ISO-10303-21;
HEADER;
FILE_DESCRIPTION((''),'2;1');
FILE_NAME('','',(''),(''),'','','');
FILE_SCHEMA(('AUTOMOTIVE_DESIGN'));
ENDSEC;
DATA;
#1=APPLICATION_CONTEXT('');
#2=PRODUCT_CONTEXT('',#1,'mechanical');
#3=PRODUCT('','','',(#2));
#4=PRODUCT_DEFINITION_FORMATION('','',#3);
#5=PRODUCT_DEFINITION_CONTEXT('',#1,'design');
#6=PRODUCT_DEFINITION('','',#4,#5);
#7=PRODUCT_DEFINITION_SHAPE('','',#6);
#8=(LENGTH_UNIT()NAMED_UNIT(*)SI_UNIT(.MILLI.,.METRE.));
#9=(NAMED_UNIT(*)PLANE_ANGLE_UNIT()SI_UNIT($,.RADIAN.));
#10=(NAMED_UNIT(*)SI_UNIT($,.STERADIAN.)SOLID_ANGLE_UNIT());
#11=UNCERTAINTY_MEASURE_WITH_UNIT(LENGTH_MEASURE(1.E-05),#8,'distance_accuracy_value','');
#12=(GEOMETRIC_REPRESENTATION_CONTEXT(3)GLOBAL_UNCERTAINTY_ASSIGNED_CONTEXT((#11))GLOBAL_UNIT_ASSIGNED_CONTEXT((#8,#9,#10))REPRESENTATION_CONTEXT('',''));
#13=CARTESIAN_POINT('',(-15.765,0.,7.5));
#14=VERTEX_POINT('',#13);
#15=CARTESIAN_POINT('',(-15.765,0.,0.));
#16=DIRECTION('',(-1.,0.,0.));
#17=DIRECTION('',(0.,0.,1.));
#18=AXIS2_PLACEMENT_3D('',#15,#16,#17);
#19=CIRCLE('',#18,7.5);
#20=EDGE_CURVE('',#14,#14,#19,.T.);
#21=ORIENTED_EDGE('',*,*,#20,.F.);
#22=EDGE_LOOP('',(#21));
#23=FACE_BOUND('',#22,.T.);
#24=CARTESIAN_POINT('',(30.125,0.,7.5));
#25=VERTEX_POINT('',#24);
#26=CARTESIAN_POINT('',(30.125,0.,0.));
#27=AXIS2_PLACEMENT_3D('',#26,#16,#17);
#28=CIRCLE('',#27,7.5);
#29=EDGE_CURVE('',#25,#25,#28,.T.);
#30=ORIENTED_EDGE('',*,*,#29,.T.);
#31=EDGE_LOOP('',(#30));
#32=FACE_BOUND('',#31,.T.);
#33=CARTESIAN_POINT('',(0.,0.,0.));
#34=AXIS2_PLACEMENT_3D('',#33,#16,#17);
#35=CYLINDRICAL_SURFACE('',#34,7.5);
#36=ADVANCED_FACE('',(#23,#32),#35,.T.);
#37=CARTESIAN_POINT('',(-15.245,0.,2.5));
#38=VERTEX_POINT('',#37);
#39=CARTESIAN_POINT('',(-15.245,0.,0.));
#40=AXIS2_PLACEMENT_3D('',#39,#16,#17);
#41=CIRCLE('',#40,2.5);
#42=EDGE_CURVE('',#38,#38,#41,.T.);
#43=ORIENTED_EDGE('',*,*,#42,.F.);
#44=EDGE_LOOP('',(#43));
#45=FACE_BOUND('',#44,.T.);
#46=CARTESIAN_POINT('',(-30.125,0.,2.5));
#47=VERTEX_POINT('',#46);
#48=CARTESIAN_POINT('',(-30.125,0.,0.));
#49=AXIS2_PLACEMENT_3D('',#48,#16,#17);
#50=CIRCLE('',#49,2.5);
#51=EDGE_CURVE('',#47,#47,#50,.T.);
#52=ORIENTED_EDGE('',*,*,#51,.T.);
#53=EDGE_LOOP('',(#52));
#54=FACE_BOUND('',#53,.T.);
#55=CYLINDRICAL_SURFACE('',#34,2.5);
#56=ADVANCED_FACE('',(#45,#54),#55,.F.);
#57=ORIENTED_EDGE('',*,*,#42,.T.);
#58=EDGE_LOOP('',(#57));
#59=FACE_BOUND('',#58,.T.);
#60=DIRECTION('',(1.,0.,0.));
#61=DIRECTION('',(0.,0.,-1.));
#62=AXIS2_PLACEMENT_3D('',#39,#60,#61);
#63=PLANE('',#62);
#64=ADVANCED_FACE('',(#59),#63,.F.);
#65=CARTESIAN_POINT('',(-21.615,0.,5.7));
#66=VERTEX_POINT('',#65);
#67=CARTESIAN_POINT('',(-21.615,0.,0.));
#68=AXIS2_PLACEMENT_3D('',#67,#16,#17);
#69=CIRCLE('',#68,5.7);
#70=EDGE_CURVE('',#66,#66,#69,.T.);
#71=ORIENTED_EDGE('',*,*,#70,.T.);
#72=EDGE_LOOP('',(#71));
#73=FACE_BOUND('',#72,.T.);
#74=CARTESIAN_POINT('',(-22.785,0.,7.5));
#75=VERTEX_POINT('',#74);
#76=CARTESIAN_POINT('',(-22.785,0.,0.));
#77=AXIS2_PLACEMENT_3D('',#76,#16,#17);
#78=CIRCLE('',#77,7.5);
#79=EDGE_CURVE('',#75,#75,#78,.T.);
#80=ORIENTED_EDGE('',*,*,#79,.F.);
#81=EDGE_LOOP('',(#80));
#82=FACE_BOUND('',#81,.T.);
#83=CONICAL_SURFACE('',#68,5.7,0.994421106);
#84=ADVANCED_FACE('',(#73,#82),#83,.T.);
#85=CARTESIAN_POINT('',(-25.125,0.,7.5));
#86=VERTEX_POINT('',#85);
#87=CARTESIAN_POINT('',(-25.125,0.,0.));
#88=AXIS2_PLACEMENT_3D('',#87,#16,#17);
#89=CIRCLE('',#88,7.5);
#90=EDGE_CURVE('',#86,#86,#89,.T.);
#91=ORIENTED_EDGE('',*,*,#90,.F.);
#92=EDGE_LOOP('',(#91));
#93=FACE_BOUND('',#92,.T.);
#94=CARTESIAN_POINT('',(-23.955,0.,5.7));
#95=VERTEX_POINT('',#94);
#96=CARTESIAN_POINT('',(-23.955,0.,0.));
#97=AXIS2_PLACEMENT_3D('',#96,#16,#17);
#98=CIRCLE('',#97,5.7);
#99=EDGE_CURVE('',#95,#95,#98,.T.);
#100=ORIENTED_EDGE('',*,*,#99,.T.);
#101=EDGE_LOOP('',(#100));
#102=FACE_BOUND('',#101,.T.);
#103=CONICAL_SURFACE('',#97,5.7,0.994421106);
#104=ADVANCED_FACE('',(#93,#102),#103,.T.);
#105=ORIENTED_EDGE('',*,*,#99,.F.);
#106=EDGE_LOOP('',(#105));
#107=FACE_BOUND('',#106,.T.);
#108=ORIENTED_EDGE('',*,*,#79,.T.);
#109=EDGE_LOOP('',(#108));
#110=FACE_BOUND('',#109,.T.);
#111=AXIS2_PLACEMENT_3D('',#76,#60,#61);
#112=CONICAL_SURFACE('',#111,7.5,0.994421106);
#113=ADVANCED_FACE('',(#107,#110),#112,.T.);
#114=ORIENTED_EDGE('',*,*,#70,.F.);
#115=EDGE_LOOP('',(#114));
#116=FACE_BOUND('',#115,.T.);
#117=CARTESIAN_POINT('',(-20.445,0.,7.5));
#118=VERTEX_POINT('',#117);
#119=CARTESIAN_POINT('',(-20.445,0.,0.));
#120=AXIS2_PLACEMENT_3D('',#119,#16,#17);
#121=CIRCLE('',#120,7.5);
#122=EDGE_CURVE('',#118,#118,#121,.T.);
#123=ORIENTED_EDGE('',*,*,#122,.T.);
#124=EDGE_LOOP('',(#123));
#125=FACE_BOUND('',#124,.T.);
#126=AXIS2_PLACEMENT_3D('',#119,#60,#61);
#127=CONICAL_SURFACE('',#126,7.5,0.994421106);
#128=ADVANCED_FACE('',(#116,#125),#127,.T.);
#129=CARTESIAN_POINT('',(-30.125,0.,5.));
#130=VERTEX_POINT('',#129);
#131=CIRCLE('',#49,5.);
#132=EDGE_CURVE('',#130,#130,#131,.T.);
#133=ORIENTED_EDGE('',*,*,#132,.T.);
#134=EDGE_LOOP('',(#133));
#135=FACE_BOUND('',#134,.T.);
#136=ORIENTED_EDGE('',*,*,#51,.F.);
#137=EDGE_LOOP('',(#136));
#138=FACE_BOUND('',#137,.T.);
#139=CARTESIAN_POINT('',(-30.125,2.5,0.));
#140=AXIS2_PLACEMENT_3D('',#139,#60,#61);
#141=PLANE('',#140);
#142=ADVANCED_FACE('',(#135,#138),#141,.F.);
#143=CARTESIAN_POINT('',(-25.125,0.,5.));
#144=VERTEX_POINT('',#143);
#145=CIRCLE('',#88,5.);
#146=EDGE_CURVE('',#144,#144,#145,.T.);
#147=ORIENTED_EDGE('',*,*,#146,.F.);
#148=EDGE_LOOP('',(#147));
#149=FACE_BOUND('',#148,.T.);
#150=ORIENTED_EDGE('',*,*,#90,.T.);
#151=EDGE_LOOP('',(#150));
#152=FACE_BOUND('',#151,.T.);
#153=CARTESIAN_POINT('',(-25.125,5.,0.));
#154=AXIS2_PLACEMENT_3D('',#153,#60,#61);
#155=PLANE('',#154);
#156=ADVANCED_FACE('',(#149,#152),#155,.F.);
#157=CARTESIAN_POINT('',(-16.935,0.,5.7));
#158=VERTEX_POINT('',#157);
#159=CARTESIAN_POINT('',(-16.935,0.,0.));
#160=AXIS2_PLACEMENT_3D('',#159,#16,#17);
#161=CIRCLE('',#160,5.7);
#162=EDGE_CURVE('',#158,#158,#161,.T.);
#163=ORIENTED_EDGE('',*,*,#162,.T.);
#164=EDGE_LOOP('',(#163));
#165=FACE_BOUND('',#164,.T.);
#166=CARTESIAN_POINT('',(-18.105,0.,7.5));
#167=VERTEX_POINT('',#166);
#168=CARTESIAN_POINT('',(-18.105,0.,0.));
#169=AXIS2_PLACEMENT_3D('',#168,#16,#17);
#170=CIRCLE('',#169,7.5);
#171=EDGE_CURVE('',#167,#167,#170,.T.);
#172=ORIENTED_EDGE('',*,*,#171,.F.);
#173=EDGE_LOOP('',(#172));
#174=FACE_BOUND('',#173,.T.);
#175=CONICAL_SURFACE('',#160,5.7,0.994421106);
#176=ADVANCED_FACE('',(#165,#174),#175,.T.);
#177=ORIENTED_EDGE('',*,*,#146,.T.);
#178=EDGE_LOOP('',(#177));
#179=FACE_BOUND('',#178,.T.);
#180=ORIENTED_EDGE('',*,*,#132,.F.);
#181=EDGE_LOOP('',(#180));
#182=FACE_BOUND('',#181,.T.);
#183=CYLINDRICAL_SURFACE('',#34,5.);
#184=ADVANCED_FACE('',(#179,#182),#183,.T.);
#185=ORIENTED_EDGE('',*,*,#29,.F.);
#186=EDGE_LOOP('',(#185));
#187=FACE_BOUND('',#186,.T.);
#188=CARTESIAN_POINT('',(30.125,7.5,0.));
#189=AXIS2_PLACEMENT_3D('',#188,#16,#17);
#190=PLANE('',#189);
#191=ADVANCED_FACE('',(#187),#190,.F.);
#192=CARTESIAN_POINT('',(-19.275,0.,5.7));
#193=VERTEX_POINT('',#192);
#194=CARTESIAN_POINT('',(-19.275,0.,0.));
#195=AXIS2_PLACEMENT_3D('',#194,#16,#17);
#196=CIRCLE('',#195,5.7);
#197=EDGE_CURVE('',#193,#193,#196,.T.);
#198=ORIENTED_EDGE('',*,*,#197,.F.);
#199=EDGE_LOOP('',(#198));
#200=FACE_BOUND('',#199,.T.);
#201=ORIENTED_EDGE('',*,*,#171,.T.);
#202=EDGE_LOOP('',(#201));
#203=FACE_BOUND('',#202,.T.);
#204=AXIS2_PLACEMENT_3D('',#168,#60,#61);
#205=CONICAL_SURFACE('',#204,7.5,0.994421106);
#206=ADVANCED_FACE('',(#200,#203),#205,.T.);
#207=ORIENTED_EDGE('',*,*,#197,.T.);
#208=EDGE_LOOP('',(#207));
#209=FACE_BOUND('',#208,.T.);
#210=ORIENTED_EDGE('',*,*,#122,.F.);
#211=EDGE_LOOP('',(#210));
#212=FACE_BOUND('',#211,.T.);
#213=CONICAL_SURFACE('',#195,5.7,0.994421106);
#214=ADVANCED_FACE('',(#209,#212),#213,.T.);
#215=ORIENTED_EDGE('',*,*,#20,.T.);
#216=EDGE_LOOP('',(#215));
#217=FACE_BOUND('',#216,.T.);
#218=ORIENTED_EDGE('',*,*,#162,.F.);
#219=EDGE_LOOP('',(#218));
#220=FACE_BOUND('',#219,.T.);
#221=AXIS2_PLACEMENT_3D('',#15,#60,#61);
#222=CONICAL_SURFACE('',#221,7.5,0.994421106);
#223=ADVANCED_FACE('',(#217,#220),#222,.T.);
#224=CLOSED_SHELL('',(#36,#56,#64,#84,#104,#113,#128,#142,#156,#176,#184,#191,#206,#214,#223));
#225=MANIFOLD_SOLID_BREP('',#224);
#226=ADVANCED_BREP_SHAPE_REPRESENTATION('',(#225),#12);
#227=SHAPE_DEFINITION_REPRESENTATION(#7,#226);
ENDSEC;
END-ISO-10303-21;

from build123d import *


with BuildPart() as part:
    # Esboço1 → Revolução1 (revolve)
    with BuildSketch(Plane.XY, mode=Mode.PRIVATE) as revolu_o1_sk:
        Polygon((-15.245, 0), (-15.245, 2.5), (-30.125, 2.5), (-30.125, 5), (-25.125, 5), (-25.125, 7.5), (-23.955, 5.7), (-22.785, 7.5), (-21.615, 5.7), (-20.445, 7.5), (-19.275, 5.7), (-18.105, 7.5), (-16.935, 5.7), (-15.765, 7.5), (30.125, 7.5), (30.125, 0), align=None)
    revolve(revolu_o1_sk.sketch.rotate(Axis((0, 0, 0), (1, 0, 0)), 90), axis=Axis((0, 0, 0), (1, 0, 0)))


solid = part.part
